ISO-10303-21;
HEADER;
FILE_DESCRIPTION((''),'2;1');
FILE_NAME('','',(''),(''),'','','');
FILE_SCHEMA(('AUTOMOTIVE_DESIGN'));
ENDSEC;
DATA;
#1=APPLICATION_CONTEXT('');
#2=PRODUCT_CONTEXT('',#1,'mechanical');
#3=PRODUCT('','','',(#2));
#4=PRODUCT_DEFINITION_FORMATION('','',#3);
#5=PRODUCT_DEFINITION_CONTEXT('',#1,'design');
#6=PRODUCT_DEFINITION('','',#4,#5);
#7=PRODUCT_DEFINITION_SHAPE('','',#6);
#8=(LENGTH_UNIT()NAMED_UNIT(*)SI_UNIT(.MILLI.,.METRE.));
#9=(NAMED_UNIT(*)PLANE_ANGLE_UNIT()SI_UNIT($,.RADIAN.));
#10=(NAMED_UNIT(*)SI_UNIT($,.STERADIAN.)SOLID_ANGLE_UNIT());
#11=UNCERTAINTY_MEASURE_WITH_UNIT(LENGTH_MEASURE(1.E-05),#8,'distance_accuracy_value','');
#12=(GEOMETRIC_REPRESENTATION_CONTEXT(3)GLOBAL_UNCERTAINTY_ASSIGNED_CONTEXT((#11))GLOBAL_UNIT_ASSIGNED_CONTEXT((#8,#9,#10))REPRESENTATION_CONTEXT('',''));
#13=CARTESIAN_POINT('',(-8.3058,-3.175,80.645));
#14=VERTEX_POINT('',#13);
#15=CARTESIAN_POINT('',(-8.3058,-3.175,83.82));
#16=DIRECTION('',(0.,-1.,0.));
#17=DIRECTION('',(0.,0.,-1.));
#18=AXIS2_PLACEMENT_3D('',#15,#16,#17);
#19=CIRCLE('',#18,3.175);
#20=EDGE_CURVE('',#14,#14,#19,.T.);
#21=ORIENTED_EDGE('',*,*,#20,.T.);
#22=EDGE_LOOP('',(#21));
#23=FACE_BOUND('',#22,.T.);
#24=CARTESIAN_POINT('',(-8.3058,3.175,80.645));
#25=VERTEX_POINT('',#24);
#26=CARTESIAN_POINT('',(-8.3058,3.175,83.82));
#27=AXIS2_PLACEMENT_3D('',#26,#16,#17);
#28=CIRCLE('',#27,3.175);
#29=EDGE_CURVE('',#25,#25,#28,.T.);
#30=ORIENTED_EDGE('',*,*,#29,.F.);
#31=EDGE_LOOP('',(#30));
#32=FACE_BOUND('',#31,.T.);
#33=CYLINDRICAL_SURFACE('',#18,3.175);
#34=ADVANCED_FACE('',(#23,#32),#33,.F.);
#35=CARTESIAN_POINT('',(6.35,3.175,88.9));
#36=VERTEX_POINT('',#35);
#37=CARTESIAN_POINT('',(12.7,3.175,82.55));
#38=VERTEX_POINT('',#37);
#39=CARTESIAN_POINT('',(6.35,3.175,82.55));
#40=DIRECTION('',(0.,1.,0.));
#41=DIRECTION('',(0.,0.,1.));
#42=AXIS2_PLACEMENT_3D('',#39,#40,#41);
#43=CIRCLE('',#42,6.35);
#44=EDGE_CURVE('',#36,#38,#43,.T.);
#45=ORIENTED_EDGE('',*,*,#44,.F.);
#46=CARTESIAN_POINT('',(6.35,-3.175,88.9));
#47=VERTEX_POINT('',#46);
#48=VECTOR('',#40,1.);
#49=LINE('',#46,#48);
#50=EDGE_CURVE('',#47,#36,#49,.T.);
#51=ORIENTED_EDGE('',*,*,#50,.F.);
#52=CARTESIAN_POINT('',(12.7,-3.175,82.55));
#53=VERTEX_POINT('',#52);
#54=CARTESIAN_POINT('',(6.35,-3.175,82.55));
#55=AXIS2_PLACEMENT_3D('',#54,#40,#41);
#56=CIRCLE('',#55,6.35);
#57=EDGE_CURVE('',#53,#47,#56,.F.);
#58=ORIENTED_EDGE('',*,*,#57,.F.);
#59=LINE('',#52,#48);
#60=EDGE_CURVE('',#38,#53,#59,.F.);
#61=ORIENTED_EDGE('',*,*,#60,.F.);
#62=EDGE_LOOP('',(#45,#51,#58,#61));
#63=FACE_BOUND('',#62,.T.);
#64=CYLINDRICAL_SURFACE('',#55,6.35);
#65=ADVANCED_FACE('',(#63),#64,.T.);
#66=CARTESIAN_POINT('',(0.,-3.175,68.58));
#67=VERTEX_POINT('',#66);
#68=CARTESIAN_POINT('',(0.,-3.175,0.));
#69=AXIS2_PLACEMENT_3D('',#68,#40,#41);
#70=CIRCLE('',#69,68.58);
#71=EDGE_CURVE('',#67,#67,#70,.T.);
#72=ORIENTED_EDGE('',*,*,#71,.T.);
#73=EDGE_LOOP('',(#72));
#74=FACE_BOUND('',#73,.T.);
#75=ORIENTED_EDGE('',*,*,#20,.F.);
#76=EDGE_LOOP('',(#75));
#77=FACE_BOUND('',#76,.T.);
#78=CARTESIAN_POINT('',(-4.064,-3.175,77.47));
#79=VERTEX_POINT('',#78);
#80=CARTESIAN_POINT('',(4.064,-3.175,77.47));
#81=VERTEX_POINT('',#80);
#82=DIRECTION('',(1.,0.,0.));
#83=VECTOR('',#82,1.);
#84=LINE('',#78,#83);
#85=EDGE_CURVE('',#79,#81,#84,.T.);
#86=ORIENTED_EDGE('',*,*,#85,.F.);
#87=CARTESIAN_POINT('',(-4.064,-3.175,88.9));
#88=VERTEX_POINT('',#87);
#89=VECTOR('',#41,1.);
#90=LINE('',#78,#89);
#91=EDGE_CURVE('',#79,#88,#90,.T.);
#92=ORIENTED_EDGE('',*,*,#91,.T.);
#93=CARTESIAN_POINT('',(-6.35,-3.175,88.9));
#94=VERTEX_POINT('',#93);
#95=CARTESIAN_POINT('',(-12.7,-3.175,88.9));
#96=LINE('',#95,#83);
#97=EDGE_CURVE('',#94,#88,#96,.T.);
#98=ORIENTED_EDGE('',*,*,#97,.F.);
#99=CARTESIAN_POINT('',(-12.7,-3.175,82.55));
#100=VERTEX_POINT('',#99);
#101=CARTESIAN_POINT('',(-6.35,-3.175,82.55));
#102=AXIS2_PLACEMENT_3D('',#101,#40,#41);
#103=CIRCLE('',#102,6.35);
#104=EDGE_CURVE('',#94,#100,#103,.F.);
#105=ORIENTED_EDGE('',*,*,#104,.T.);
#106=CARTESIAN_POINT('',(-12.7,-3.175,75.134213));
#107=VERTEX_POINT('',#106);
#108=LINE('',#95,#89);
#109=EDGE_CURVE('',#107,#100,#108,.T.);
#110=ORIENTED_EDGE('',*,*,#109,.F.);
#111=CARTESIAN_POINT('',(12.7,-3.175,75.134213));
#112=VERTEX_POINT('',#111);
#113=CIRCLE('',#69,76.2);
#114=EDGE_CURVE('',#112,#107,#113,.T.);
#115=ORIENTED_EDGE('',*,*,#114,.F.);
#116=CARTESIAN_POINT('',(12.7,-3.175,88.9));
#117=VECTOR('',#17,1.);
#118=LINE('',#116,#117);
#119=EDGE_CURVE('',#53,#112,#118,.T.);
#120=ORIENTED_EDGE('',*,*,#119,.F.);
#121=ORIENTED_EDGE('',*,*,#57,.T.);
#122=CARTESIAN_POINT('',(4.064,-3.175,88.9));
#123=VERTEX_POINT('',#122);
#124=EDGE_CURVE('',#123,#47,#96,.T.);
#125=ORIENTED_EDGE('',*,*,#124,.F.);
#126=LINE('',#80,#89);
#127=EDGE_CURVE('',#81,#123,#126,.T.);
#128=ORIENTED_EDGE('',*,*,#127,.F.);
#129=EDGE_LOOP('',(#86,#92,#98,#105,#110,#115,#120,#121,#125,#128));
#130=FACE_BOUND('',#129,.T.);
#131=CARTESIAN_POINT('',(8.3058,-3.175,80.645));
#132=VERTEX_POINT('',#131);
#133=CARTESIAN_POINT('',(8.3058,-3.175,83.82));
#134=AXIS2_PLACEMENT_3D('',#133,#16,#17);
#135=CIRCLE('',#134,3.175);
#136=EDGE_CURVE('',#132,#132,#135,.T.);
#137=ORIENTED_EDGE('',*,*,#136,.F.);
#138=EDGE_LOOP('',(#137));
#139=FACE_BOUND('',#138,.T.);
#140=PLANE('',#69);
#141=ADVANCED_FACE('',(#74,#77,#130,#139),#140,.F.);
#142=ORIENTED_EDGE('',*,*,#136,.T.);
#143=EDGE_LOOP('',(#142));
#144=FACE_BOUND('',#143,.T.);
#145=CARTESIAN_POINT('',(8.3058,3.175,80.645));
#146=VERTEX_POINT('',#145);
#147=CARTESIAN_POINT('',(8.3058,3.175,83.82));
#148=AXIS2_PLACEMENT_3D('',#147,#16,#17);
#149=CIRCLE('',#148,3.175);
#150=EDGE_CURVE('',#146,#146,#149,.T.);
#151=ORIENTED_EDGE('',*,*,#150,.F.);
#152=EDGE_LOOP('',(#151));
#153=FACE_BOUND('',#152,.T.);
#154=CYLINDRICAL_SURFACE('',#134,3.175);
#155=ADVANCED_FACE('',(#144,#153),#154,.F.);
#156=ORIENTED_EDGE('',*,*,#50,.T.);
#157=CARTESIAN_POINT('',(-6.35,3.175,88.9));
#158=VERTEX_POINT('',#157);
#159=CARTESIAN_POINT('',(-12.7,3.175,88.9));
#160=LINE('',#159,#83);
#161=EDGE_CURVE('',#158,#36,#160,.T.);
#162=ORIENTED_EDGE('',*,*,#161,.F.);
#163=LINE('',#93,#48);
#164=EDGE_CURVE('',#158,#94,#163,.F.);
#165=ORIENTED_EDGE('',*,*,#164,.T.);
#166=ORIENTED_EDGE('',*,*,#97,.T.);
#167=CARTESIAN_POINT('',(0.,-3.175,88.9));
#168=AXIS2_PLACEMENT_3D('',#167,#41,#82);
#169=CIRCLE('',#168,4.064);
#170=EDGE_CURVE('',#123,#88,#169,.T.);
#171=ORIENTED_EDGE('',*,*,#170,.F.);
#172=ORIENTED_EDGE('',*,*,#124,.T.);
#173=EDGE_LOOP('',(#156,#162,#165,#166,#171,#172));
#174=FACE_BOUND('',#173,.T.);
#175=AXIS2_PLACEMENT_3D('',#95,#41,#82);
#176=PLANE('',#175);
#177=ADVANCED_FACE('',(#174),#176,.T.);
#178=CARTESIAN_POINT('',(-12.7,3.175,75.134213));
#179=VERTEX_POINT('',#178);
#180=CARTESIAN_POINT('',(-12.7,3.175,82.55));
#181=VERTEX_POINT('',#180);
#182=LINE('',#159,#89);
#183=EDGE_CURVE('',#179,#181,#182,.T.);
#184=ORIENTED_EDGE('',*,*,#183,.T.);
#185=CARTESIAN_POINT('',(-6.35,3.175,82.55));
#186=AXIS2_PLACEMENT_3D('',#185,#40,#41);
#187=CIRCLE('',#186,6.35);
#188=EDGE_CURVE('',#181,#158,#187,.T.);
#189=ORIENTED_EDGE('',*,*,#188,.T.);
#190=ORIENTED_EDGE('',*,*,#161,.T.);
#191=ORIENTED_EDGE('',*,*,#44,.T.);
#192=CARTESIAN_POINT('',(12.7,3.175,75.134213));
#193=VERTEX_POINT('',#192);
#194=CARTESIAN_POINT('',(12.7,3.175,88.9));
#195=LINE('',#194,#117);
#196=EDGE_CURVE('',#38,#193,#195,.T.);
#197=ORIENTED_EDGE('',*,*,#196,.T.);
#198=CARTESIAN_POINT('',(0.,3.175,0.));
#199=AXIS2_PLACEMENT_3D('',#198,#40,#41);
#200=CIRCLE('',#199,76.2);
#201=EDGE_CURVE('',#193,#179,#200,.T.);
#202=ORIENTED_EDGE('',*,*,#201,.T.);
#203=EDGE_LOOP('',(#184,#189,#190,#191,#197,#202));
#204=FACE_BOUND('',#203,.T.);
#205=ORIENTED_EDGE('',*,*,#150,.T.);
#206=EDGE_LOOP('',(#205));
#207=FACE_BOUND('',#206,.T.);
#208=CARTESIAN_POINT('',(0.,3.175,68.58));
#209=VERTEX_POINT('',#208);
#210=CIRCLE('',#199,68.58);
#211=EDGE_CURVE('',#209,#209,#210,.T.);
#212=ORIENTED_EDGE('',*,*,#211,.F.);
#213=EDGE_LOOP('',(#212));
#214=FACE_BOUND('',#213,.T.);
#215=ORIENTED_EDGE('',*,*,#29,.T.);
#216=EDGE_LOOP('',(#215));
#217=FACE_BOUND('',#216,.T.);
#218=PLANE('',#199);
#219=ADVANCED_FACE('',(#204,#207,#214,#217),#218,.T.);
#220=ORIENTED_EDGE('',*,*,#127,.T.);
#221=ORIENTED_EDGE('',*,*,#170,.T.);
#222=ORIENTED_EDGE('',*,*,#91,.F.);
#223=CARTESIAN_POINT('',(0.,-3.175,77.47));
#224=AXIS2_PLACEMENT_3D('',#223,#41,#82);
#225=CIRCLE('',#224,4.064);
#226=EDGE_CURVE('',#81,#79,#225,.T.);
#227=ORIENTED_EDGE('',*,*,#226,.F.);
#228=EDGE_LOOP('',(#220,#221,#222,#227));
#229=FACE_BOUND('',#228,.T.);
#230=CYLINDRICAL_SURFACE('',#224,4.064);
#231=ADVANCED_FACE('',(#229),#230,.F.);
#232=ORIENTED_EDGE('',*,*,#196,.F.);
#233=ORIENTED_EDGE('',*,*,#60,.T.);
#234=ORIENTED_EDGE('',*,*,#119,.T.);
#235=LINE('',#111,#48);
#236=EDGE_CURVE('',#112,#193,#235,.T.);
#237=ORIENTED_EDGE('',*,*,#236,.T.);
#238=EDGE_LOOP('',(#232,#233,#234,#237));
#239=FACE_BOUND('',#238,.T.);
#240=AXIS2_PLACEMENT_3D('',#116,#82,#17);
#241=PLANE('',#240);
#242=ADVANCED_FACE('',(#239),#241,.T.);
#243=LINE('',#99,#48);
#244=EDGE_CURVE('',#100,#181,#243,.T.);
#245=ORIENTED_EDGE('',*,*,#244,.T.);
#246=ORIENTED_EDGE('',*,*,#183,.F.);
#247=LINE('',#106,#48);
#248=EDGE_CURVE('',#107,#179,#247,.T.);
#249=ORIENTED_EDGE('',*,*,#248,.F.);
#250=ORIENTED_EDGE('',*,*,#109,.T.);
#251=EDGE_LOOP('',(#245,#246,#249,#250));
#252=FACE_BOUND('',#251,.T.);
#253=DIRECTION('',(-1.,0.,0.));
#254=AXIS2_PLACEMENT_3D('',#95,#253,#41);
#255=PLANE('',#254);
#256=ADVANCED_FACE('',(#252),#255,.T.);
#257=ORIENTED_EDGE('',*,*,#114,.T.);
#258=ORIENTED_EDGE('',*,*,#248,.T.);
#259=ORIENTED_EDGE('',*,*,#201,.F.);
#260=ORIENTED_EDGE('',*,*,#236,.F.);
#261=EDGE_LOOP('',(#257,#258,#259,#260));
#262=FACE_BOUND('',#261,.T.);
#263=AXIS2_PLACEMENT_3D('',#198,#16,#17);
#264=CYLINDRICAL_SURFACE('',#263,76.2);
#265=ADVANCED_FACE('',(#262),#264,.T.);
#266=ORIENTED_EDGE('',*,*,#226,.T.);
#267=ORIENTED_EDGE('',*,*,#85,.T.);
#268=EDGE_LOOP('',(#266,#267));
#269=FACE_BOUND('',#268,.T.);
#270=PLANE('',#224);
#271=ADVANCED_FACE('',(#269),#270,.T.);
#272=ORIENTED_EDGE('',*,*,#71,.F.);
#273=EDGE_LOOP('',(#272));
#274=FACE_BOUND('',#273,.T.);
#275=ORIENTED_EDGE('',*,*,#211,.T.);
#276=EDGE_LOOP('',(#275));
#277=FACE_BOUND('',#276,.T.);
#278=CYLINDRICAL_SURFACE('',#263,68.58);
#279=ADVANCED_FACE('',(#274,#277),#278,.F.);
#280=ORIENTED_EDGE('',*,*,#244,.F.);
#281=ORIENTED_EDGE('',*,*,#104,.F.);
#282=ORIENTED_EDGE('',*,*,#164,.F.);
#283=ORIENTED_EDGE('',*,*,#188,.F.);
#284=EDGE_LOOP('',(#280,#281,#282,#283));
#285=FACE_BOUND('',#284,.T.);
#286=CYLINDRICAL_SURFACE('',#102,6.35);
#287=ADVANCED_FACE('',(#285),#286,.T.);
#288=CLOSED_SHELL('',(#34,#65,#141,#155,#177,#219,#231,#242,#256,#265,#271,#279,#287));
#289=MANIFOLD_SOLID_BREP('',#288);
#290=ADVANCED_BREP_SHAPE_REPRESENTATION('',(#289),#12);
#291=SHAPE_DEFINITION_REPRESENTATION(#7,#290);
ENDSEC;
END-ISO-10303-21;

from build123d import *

# Parameters (mm, degrees)
SKETCH1_R                   = 76.2
SKETCH1_R_2                 = 68.58
BOSS_EXTRUDE1_DEPTH         = 3.175
BOSS_EXTRUDE2_DEPTH         = 6.35
FILLET1_R                   = 6.35
CUT_EXTRUDE1_DEPTH          = 11.43
F_3_8_0_25_DIAMETER_HOLE2_D = 6.35


with BuildPart() as part:
    # Sketch1 → Boss-Extrude1 (new, symmetric)
    with BuildSketch(Plane(origin=(0, 0, 0), x_dir=(1, 0, 0), z_dir=(0, 1, 0))):
        with Locations(Location((0, 0, 0), (0, 0, 270))):
            Circle(SKETCH1_R)
        with Locations(Location((0, 0, 0), (0, 0, 270))):
            Circle(SKETCH1_R_2, mode=Mode.SUBTRACT)
    extrude(amount=BOSS_EXTRUDE1_DEPTH, both=True)

    # Sketch2 → Boss-Extrude2 (add)
    with BuildSketch(Plane(origin=(0, 3.175, 0), x_dir=(1, 0, 0), z_dir=(0, 1, 0))):
        with BuildLine():
            Line((-12.7, -88.9), (-12.7, -75.134213245))
            ThreePointArc((-12.7, -75.134213245), (0, -76.2), (12.7, -75.134213245))
            Line((12.7, -75.134213245), (12.7, -88.9))
            Line((12.7, -88.9), (-12.7, -88.9))
        make_face()
    extrude(amount=-BOSS_EXTRUDE2_DEPTH)

    # Fillet1
    fillet1_edges = [part.edges().sort_by_distance(p)[0] for p in [
        (12.7, 0, 88.9),
        (-12.7, 0, 88.9),
    ]]
    fillet(fillet1_edges, radius=FILLET1_R)

    # Sketch3 → Cut-Extrude1 (cut)
    with BuildSketch(Plane.XY.offset(88.9)):
        with BuildLine():
            Line((-4.064, -3.175), (4.064, -3.175))
            ThreePointArc((4.064, -3.175), (0, 0.889), (-4.064, -3.175))
        make_face()
    extrude(amount=-CUT_EXTRUDE1_DEPTH, mode=Mode.SUBTRACT)

    # 3/8 (0.25) Diameter Hole2 (through all)
    with Locations(Plane(origin=(-8.3058, -3.175, 83.82), x_dir=(0, 0, -1), z_dir=(0, -1, 0))):
        with Locations((0, 0), (0, 16.6116)):
            Hole(F_3_8_0_25_DIAMETER_HOLE2_D / 2)


solid = part.part
